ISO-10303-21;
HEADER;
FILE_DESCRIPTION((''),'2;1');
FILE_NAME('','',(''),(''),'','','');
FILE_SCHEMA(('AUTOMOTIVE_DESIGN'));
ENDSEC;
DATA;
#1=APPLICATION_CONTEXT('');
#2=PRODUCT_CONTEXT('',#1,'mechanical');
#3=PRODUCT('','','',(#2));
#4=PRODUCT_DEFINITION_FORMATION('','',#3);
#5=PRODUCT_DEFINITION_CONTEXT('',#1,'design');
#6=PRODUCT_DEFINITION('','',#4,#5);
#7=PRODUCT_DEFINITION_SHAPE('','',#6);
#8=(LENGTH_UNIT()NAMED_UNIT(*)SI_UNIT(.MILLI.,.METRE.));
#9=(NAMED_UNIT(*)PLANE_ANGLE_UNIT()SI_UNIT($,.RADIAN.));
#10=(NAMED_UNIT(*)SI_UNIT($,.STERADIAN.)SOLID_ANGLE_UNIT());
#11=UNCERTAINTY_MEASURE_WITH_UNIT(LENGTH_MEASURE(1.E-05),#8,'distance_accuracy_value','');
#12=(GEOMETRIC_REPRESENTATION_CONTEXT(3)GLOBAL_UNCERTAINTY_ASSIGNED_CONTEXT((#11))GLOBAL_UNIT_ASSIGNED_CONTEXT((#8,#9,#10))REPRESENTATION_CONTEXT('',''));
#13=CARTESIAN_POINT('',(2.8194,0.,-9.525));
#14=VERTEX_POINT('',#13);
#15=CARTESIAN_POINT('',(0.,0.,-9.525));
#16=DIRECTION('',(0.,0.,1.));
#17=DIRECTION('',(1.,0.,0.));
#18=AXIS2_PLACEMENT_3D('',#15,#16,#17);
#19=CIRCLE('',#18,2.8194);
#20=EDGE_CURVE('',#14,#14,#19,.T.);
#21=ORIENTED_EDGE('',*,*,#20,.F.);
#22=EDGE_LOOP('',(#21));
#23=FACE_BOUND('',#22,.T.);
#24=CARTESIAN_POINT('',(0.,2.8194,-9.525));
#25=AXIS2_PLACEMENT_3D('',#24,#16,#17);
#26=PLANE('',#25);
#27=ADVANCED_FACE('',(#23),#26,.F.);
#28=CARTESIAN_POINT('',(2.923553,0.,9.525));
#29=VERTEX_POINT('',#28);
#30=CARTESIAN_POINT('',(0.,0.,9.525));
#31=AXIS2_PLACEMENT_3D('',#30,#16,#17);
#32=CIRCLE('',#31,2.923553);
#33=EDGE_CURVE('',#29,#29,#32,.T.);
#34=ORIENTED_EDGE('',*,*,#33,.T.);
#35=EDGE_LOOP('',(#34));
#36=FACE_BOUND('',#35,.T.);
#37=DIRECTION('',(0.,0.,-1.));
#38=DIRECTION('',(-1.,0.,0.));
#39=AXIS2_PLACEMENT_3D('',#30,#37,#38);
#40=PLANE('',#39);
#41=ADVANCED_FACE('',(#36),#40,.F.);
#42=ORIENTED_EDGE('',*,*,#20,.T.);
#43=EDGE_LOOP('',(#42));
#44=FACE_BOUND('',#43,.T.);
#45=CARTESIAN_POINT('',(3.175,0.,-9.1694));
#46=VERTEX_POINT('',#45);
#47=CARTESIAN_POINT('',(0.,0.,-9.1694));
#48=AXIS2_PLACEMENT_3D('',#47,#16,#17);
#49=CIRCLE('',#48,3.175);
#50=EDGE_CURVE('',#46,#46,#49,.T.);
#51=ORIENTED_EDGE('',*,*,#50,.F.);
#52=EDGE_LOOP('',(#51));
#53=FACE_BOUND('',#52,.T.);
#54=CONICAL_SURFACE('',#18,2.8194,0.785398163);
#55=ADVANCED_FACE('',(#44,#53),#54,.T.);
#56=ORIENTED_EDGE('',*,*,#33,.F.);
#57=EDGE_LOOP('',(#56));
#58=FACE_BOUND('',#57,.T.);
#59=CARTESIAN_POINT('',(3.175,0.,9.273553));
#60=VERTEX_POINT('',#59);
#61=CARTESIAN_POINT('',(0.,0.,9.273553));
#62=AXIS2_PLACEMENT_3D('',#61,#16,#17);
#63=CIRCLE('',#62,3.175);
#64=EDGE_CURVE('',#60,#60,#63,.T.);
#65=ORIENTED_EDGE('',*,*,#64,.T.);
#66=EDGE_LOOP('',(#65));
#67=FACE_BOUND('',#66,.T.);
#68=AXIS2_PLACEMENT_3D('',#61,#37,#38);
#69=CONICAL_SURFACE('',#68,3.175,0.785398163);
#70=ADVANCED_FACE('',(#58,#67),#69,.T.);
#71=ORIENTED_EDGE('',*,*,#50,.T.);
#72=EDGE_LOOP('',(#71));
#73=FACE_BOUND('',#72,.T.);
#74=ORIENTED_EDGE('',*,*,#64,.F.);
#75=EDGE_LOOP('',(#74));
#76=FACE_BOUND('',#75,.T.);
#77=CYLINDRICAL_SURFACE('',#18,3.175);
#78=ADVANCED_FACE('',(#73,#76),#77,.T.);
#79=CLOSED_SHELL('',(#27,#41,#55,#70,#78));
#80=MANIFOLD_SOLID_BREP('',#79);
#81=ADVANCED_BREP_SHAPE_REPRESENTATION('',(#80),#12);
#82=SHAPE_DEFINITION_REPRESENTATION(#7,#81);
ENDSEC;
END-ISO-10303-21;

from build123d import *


with BuildPart() as part:
    # Sketch1 → Revolve1 (revolve)
    with BuildSketch(Plane(origin=(0, 0, 0), x_dir=(0, 0, -1), z_dir=(1, 0, 0))):
        Polygon((-9.525, 0), (-9.525, 2.923552829), (-9.273552829, 3.175), (9.1694, 3.175), (9.525, 2.8194), (9.525, 0), align=None)
    revolve(axis=Axis((0, 0, -9.525), (0, 0, 1)))


solid = part.part
